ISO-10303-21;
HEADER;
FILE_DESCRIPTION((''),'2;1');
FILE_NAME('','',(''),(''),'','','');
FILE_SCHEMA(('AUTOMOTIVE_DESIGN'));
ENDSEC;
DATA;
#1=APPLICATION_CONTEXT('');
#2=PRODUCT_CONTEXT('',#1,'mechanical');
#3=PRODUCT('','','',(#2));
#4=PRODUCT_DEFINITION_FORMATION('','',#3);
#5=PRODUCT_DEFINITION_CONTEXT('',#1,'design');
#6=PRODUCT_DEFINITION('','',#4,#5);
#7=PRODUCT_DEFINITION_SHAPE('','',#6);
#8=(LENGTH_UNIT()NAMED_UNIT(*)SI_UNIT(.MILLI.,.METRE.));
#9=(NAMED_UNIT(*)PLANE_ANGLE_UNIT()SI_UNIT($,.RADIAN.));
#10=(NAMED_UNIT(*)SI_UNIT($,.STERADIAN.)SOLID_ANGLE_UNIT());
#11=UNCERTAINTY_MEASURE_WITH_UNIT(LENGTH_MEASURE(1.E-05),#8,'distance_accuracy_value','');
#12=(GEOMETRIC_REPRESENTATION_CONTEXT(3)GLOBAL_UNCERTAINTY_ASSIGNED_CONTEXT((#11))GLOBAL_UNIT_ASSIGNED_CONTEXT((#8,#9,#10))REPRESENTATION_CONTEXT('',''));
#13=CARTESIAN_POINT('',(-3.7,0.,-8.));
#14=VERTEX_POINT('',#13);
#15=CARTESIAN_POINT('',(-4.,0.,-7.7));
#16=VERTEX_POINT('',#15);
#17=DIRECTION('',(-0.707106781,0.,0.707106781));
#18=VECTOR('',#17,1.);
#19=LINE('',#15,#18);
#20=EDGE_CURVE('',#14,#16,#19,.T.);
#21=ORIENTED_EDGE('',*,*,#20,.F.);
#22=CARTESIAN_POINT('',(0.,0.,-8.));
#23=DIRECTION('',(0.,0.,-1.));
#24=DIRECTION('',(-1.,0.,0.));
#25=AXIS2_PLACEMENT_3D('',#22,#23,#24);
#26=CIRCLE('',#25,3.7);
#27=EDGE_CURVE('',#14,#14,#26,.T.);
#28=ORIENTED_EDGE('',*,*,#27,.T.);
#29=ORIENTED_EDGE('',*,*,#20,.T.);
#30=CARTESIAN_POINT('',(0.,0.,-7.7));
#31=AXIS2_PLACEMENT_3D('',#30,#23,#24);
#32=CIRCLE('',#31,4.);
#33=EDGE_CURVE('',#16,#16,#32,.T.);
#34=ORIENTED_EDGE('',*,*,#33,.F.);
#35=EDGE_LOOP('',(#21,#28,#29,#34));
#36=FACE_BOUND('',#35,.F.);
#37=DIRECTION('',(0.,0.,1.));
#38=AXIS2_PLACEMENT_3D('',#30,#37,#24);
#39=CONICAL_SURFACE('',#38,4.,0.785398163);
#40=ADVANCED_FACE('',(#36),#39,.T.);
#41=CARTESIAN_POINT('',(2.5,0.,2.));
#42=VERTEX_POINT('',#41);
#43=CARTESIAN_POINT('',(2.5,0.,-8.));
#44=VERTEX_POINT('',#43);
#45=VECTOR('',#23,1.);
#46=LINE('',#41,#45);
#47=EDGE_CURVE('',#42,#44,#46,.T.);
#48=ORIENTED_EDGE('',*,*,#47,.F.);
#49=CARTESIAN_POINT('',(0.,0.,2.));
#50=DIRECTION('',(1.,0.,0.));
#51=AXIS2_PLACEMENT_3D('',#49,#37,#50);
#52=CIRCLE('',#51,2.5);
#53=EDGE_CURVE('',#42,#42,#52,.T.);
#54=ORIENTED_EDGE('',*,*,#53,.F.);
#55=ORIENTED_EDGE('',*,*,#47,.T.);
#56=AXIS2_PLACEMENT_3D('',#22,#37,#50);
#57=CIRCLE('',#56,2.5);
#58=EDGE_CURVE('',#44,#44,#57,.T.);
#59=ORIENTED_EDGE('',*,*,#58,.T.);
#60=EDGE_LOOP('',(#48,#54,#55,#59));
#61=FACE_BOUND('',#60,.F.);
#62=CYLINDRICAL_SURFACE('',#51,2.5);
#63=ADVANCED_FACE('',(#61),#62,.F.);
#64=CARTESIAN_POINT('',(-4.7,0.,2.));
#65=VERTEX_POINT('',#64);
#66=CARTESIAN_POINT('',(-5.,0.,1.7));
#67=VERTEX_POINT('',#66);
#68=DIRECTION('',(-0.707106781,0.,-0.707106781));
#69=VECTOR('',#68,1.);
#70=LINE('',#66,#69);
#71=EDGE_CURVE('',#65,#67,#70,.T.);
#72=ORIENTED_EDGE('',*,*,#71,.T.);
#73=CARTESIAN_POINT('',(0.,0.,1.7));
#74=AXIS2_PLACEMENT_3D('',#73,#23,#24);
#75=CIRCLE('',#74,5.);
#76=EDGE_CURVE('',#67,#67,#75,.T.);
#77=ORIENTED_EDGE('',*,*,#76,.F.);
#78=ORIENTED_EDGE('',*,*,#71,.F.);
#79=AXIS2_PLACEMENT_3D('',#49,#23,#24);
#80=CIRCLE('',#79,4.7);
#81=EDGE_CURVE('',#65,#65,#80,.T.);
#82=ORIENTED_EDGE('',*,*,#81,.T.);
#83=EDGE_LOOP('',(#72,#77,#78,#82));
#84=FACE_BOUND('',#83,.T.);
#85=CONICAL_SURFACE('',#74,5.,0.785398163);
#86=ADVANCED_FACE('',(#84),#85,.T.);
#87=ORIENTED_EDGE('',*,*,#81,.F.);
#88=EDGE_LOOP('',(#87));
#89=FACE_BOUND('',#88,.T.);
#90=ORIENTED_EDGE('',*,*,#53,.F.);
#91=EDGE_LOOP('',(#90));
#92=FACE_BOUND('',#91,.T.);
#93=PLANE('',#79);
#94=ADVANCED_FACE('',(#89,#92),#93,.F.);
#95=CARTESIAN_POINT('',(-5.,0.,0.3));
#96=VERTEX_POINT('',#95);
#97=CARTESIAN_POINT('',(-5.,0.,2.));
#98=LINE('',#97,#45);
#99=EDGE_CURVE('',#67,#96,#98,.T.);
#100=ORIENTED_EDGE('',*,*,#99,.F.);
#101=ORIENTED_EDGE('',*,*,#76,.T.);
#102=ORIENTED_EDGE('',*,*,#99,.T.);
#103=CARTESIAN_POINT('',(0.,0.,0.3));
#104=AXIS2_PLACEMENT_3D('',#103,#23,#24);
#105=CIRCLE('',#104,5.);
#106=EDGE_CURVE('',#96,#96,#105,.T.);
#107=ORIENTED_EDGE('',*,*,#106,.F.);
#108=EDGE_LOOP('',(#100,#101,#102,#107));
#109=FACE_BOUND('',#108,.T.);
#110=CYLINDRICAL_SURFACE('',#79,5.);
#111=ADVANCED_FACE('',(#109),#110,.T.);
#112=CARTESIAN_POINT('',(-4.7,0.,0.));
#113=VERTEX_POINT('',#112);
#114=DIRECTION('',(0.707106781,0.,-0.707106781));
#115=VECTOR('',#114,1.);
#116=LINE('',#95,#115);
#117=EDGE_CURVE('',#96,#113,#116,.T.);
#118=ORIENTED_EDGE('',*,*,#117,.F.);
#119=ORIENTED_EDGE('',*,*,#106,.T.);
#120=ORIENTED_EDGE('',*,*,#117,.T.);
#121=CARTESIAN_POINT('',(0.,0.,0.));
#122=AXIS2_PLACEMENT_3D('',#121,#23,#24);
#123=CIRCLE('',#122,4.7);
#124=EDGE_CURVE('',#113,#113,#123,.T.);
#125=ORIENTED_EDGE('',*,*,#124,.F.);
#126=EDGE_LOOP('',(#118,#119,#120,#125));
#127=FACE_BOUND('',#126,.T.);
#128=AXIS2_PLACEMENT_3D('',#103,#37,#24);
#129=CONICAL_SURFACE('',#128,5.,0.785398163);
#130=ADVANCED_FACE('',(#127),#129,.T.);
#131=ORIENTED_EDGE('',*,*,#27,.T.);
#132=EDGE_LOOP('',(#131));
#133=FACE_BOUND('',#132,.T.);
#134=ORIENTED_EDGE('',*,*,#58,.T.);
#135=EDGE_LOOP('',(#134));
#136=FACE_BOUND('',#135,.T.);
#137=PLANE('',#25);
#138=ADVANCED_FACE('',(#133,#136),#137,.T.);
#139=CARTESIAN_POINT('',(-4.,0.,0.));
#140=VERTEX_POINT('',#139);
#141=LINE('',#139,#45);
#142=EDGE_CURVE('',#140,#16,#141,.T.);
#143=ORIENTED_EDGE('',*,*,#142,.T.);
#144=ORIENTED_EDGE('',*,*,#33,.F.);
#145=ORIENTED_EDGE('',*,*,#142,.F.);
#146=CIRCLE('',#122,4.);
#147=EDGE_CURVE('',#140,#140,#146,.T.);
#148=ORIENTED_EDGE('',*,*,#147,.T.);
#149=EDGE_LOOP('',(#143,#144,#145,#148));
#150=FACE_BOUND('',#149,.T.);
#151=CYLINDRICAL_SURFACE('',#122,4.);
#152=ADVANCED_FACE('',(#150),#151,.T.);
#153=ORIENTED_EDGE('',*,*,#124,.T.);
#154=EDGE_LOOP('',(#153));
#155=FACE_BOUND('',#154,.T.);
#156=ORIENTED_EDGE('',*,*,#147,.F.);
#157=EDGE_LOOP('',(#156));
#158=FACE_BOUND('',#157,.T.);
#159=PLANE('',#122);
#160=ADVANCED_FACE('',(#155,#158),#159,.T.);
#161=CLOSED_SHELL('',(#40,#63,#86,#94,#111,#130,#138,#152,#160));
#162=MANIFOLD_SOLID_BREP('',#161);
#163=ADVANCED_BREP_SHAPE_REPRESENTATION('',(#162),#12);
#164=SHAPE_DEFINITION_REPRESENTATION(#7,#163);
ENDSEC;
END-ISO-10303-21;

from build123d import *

# Parameters (mm, degrees)
F2_R     = 2.5
F3_DEPTH = 10.001
F4_SIZE  = 0.3


with BuildPart() as f1:
    # F0 (on Front) → F1 (revolve)
    with BuildSketch(Plane.XZ):
        Polygon((0, 0), (0, 2), (-5, 2), (-5, 0), (-4, 0), (-4, -8), (0, -8), align=None)
    revolve(axis=Axis((0, 0, 0.636387), (0, 0, -1)))

    # F2 (on face) → F3 (cut, through all)
    with BuildSketch(Plane.XY.offset(2)):
        Circle(F2_R)
    extrude(amount=-F3_DEPTH, mode=Mode.SUBTRACT)

    # F4
    f4_edges = [f1.edges().sort_by_distance(p)[0] for p in [
        (5, 0, 2),
        (5, 0, 0),
        (4, 0, -8),
    ]]
    chamfer(f4_edges, length=F4_SIZE)


solid = f1.part
